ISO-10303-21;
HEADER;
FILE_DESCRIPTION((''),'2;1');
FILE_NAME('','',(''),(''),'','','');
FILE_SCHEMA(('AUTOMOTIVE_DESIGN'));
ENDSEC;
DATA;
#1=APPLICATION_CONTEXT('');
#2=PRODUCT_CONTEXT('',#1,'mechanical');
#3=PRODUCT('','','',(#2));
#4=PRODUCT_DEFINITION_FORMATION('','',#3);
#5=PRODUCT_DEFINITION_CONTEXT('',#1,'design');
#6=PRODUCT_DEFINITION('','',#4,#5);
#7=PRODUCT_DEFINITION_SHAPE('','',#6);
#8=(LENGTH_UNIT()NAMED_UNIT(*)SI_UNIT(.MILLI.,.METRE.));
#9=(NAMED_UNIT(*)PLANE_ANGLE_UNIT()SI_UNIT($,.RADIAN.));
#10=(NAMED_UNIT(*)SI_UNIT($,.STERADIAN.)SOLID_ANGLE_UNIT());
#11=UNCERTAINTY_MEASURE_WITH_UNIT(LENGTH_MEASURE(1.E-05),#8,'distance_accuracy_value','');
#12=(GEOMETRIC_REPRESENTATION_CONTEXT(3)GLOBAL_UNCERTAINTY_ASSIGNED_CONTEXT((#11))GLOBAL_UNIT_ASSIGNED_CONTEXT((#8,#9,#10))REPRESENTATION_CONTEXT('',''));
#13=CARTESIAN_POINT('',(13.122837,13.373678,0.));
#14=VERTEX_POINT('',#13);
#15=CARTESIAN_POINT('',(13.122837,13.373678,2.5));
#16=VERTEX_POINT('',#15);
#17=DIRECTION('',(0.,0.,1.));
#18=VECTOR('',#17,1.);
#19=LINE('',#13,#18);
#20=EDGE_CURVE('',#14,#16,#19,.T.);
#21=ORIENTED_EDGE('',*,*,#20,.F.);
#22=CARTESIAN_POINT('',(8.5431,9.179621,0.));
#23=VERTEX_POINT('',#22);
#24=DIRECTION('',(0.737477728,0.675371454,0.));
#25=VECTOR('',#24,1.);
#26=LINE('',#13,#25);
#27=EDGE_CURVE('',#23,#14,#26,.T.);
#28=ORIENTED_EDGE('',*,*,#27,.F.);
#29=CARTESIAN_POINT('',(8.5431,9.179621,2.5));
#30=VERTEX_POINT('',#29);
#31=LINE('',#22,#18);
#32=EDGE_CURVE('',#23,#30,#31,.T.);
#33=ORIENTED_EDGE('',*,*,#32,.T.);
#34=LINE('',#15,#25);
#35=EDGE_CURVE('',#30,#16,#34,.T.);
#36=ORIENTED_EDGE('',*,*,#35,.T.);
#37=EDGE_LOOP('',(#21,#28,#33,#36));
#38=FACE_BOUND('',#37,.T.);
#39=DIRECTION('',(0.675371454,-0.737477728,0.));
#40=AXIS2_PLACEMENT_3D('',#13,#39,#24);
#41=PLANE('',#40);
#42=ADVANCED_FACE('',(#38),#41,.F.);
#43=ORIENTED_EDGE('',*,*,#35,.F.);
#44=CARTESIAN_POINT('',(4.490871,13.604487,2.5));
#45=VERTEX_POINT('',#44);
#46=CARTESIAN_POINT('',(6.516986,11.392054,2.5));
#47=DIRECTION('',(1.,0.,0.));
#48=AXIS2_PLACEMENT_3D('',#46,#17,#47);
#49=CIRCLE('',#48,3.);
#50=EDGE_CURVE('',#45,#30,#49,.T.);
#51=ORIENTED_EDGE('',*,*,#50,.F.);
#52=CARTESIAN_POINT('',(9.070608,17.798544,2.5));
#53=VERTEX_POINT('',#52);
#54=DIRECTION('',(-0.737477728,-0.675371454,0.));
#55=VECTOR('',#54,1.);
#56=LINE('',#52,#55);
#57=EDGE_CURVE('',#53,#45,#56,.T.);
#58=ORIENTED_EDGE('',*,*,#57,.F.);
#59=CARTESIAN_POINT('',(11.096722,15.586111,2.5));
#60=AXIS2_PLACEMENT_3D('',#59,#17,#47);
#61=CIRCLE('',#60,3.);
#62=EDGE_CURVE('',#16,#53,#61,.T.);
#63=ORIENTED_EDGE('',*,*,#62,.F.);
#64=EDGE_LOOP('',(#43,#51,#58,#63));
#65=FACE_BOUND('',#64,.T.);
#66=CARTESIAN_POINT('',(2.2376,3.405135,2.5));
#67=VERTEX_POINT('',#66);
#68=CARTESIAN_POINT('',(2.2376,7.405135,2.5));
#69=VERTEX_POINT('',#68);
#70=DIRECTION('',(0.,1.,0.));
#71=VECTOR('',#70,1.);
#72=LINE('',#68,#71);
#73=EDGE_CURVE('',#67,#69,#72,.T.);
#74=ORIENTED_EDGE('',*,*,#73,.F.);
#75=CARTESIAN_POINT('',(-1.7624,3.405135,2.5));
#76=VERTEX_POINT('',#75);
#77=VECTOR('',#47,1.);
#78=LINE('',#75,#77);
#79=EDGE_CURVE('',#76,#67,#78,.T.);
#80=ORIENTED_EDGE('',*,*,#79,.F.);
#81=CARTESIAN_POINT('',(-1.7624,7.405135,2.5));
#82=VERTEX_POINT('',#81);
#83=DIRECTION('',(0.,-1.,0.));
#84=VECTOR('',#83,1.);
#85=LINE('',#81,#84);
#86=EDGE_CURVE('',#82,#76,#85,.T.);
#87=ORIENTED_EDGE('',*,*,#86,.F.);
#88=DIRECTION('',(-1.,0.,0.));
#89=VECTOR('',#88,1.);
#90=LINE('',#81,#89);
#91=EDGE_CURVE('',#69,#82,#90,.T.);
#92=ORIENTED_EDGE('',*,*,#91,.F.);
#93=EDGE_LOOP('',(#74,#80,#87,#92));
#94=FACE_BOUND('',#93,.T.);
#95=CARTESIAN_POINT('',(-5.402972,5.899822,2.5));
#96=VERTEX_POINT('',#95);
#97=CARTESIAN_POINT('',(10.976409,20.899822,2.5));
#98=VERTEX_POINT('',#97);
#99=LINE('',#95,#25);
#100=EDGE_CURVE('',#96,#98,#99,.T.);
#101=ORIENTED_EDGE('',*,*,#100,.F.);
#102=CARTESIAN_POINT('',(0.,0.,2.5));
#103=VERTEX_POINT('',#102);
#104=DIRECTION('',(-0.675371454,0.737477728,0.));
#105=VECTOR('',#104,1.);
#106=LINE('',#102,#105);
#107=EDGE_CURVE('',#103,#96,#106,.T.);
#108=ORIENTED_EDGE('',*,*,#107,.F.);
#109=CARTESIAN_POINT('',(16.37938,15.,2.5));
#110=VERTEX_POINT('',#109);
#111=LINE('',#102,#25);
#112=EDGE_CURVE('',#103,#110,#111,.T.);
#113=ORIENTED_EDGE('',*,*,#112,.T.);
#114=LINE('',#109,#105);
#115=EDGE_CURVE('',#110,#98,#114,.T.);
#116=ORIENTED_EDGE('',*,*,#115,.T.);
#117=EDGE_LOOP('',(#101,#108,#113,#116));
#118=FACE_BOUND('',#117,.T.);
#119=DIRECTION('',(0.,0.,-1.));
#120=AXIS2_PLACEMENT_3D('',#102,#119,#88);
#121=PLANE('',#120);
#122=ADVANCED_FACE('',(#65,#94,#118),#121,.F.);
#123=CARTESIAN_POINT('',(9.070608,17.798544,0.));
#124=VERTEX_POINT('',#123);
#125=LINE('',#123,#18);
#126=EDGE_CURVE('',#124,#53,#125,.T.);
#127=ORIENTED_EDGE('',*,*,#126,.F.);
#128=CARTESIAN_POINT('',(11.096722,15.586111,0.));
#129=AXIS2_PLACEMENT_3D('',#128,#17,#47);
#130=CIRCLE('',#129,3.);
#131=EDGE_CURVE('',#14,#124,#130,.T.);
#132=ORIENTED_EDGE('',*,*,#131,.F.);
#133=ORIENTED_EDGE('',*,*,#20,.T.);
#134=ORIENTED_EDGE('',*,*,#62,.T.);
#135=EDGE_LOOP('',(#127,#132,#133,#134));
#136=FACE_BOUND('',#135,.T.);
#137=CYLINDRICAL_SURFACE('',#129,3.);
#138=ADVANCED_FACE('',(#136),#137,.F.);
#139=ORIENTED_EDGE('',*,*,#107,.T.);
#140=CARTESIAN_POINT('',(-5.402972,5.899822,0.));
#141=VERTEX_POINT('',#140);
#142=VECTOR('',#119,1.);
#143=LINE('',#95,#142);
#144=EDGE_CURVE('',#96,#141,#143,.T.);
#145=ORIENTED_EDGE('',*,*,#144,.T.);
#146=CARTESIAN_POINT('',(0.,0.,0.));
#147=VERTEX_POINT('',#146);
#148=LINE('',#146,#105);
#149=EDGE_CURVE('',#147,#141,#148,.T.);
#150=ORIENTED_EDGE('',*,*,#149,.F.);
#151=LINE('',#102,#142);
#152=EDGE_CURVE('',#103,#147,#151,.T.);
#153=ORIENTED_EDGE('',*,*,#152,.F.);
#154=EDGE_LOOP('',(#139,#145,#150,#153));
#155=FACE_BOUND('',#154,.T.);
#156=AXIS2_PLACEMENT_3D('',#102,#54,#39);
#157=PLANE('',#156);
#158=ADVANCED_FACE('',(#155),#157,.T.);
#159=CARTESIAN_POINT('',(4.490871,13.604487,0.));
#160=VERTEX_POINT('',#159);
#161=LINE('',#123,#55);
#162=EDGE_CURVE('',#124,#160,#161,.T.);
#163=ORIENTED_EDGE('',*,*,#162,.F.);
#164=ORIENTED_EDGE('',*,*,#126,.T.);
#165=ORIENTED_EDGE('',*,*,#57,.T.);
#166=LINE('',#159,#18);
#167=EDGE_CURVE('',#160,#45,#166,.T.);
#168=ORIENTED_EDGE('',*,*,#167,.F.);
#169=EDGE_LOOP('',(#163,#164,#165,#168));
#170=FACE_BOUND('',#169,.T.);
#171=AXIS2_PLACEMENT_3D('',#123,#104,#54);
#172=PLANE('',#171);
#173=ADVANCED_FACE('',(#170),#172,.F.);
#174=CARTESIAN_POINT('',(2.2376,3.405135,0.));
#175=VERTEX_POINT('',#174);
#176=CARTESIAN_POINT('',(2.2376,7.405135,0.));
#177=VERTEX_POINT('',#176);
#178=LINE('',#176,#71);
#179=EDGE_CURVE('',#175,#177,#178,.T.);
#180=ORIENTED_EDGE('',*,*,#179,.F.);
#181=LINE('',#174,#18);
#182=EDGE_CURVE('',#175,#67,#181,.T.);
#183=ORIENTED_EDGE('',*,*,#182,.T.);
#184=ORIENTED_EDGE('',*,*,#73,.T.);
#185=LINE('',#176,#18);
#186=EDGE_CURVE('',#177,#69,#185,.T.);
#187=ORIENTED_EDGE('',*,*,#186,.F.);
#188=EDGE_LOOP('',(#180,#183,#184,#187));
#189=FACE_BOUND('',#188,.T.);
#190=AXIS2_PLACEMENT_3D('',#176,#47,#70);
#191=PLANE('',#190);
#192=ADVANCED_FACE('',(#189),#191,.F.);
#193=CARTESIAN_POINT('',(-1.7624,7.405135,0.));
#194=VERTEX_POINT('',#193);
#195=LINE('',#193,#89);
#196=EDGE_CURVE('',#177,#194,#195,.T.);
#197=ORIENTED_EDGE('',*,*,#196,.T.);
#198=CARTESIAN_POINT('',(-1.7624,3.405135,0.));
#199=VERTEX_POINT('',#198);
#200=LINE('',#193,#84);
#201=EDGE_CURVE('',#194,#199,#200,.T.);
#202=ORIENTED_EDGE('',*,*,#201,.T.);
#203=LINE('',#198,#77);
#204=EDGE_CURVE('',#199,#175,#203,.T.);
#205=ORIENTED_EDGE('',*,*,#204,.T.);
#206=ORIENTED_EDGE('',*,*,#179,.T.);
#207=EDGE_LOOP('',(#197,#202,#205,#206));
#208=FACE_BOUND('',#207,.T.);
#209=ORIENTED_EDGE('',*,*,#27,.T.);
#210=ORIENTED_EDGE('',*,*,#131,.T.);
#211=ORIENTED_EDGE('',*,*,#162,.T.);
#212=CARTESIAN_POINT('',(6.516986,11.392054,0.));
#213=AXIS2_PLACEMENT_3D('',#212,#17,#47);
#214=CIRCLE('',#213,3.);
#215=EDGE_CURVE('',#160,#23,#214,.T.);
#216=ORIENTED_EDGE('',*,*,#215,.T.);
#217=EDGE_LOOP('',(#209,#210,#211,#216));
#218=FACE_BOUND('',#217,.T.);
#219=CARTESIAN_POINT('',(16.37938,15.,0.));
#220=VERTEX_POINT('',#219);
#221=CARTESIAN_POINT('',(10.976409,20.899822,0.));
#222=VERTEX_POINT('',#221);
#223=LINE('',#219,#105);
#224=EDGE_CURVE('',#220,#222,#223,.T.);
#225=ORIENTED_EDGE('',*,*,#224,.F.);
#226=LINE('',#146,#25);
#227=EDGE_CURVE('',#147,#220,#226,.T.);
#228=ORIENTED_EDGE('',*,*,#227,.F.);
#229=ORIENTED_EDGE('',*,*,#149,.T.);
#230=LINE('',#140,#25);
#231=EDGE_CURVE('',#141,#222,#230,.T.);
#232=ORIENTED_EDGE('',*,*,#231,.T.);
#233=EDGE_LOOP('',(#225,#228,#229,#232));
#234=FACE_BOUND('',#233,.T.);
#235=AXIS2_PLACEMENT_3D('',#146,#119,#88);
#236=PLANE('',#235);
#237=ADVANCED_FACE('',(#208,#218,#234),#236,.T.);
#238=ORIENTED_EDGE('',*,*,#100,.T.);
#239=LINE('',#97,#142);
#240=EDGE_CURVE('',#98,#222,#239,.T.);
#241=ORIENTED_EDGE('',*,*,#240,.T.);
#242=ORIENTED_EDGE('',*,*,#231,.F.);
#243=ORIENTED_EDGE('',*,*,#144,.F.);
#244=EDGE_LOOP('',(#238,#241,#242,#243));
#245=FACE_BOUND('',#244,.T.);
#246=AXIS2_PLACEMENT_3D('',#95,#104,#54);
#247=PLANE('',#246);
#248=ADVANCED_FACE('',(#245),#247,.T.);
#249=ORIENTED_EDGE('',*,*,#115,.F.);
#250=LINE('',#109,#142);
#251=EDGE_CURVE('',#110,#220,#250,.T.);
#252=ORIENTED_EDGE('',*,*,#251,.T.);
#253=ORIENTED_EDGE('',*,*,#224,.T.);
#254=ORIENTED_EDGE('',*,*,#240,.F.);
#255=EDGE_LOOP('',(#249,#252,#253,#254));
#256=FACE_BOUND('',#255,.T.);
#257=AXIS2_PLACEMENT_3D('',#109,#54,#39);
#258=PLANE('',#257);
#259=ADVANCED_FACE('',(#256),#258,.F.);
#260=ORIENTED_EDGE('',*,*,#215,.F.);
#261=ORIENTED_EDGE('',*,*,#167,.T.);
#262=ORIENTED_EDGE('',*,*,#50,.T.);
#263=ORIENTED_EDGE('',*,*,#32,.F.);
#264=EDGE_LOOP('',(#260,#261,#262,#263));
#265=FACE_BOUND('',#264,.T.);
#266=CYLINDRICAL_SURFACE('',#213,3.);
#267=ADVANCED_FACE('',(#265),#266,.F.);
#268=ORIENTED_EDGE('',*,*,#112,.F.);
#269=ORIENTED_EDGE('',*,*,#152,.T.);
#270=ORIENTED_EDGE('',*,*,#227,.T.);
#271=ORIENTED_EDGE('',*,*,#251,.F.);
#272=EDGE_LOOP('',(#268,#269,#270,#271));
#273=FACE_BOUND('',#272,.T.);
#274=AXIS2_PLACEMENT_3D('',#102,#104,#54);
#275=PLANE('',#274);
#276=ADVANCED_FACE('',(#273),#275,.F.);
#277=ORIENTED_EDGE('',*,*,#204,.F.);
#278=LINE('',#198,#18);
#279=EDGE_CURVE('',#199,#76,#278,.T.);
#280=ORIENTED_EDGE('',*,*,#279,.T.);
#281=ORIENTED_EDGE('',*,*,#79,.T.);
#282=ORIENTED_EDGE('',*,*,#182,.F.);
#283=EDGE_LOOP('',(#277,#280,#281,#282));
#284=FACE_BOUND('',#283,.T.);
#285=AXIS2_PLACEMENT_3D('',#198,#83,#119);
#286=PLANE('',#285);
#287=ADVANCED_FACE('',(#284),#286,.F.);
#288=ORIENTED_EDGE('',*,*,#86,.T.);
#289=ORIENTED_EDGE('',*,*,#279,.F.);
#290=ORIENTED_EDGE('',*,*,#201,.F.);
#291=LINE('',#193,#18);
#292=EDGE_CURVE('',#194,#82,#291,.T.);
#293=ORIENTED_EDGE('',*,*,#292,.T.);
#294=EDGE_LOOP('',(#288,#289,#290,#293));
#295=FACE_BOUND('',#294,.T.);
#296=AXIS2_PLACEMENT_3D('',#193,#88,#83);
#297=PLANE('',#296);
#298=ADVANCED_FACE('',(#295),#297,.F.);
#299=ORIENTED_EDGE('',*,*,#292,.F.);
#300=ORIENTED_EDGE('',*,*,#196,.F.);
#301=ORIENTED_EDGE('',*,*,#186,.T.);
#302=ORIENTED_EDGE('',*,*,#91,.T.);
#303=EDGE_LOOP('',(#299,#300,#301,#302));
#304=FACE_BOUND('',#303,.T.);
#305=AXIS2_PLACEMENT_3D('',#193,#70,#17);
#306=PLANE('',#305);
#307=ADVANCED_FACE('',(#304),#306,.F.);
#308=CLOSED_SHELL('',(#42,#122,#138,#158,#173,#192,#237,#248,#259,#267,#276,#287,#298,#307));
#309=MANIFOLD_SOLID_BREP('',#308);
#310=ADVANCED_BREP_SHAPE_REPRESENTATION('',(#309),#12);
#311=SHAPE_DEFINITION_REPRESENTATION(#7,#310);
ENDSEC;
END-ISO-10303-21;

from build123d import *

# Parameters (mm, degrees)
BOSS_EXTRUDE1_DEPTH = 2.5
SKETCH2_W           = 4
SKETCH2_H           = 4
CUT_EXTRUDE1_DEPTH  = 27.670895226
CUT_EXTRUDE2_DEPTH  = 27.670895226


with BuildPart() as part:
    # Sketch1 → Boss-Extrude1 (new body)
    with BuildSketch(Plane.XY):
        Polygon((0, 0), (16.37938033, 15), (10.976408696, 20.899821821), (-5.402971634, 5.899821821), align=None)
    extrude(amount=BOSS_EXTRUDE1_DEPTH)

    # Sketch2 → Cut-Extrude1 (cut, through all)
    with BuildSketch(Plane.XY.offset(2.5)):
        with Locations((0.237599868, 5.405134804)):
            Rectangle(SKETCH2_W, SKETCH2_H)
    extrude(amount=-CUT_EXTRUDE1_DEPTH, mode=Mode.SUBTRACT)

    # Sketch3 → Cut-Extrude2 (cut, through all)
    with BuildSketch(Plane.XY.offset(2.5)):
        with BuildLine():
            Line((13.122836829, 13.373677638), (8.543100141, 9.179620906))
            ThreePointArc((8.543100141, 9.179620906), (4.304552595, 9.365939726), (4.490871415, 13.604487272))
            Line((4.490871415, 13.604487272), (9.070608103, 17.798544003))
            ThreePointArc((9.070608103, 17.798544003), (13.309155649, 17.612225183), (13.122836829, 13.373677638))
        make_face()
    extrude(amount=-CUT_EXTRUDE2_DEPTH, mode=Mode.SUBTRACT)


solid = part.part
